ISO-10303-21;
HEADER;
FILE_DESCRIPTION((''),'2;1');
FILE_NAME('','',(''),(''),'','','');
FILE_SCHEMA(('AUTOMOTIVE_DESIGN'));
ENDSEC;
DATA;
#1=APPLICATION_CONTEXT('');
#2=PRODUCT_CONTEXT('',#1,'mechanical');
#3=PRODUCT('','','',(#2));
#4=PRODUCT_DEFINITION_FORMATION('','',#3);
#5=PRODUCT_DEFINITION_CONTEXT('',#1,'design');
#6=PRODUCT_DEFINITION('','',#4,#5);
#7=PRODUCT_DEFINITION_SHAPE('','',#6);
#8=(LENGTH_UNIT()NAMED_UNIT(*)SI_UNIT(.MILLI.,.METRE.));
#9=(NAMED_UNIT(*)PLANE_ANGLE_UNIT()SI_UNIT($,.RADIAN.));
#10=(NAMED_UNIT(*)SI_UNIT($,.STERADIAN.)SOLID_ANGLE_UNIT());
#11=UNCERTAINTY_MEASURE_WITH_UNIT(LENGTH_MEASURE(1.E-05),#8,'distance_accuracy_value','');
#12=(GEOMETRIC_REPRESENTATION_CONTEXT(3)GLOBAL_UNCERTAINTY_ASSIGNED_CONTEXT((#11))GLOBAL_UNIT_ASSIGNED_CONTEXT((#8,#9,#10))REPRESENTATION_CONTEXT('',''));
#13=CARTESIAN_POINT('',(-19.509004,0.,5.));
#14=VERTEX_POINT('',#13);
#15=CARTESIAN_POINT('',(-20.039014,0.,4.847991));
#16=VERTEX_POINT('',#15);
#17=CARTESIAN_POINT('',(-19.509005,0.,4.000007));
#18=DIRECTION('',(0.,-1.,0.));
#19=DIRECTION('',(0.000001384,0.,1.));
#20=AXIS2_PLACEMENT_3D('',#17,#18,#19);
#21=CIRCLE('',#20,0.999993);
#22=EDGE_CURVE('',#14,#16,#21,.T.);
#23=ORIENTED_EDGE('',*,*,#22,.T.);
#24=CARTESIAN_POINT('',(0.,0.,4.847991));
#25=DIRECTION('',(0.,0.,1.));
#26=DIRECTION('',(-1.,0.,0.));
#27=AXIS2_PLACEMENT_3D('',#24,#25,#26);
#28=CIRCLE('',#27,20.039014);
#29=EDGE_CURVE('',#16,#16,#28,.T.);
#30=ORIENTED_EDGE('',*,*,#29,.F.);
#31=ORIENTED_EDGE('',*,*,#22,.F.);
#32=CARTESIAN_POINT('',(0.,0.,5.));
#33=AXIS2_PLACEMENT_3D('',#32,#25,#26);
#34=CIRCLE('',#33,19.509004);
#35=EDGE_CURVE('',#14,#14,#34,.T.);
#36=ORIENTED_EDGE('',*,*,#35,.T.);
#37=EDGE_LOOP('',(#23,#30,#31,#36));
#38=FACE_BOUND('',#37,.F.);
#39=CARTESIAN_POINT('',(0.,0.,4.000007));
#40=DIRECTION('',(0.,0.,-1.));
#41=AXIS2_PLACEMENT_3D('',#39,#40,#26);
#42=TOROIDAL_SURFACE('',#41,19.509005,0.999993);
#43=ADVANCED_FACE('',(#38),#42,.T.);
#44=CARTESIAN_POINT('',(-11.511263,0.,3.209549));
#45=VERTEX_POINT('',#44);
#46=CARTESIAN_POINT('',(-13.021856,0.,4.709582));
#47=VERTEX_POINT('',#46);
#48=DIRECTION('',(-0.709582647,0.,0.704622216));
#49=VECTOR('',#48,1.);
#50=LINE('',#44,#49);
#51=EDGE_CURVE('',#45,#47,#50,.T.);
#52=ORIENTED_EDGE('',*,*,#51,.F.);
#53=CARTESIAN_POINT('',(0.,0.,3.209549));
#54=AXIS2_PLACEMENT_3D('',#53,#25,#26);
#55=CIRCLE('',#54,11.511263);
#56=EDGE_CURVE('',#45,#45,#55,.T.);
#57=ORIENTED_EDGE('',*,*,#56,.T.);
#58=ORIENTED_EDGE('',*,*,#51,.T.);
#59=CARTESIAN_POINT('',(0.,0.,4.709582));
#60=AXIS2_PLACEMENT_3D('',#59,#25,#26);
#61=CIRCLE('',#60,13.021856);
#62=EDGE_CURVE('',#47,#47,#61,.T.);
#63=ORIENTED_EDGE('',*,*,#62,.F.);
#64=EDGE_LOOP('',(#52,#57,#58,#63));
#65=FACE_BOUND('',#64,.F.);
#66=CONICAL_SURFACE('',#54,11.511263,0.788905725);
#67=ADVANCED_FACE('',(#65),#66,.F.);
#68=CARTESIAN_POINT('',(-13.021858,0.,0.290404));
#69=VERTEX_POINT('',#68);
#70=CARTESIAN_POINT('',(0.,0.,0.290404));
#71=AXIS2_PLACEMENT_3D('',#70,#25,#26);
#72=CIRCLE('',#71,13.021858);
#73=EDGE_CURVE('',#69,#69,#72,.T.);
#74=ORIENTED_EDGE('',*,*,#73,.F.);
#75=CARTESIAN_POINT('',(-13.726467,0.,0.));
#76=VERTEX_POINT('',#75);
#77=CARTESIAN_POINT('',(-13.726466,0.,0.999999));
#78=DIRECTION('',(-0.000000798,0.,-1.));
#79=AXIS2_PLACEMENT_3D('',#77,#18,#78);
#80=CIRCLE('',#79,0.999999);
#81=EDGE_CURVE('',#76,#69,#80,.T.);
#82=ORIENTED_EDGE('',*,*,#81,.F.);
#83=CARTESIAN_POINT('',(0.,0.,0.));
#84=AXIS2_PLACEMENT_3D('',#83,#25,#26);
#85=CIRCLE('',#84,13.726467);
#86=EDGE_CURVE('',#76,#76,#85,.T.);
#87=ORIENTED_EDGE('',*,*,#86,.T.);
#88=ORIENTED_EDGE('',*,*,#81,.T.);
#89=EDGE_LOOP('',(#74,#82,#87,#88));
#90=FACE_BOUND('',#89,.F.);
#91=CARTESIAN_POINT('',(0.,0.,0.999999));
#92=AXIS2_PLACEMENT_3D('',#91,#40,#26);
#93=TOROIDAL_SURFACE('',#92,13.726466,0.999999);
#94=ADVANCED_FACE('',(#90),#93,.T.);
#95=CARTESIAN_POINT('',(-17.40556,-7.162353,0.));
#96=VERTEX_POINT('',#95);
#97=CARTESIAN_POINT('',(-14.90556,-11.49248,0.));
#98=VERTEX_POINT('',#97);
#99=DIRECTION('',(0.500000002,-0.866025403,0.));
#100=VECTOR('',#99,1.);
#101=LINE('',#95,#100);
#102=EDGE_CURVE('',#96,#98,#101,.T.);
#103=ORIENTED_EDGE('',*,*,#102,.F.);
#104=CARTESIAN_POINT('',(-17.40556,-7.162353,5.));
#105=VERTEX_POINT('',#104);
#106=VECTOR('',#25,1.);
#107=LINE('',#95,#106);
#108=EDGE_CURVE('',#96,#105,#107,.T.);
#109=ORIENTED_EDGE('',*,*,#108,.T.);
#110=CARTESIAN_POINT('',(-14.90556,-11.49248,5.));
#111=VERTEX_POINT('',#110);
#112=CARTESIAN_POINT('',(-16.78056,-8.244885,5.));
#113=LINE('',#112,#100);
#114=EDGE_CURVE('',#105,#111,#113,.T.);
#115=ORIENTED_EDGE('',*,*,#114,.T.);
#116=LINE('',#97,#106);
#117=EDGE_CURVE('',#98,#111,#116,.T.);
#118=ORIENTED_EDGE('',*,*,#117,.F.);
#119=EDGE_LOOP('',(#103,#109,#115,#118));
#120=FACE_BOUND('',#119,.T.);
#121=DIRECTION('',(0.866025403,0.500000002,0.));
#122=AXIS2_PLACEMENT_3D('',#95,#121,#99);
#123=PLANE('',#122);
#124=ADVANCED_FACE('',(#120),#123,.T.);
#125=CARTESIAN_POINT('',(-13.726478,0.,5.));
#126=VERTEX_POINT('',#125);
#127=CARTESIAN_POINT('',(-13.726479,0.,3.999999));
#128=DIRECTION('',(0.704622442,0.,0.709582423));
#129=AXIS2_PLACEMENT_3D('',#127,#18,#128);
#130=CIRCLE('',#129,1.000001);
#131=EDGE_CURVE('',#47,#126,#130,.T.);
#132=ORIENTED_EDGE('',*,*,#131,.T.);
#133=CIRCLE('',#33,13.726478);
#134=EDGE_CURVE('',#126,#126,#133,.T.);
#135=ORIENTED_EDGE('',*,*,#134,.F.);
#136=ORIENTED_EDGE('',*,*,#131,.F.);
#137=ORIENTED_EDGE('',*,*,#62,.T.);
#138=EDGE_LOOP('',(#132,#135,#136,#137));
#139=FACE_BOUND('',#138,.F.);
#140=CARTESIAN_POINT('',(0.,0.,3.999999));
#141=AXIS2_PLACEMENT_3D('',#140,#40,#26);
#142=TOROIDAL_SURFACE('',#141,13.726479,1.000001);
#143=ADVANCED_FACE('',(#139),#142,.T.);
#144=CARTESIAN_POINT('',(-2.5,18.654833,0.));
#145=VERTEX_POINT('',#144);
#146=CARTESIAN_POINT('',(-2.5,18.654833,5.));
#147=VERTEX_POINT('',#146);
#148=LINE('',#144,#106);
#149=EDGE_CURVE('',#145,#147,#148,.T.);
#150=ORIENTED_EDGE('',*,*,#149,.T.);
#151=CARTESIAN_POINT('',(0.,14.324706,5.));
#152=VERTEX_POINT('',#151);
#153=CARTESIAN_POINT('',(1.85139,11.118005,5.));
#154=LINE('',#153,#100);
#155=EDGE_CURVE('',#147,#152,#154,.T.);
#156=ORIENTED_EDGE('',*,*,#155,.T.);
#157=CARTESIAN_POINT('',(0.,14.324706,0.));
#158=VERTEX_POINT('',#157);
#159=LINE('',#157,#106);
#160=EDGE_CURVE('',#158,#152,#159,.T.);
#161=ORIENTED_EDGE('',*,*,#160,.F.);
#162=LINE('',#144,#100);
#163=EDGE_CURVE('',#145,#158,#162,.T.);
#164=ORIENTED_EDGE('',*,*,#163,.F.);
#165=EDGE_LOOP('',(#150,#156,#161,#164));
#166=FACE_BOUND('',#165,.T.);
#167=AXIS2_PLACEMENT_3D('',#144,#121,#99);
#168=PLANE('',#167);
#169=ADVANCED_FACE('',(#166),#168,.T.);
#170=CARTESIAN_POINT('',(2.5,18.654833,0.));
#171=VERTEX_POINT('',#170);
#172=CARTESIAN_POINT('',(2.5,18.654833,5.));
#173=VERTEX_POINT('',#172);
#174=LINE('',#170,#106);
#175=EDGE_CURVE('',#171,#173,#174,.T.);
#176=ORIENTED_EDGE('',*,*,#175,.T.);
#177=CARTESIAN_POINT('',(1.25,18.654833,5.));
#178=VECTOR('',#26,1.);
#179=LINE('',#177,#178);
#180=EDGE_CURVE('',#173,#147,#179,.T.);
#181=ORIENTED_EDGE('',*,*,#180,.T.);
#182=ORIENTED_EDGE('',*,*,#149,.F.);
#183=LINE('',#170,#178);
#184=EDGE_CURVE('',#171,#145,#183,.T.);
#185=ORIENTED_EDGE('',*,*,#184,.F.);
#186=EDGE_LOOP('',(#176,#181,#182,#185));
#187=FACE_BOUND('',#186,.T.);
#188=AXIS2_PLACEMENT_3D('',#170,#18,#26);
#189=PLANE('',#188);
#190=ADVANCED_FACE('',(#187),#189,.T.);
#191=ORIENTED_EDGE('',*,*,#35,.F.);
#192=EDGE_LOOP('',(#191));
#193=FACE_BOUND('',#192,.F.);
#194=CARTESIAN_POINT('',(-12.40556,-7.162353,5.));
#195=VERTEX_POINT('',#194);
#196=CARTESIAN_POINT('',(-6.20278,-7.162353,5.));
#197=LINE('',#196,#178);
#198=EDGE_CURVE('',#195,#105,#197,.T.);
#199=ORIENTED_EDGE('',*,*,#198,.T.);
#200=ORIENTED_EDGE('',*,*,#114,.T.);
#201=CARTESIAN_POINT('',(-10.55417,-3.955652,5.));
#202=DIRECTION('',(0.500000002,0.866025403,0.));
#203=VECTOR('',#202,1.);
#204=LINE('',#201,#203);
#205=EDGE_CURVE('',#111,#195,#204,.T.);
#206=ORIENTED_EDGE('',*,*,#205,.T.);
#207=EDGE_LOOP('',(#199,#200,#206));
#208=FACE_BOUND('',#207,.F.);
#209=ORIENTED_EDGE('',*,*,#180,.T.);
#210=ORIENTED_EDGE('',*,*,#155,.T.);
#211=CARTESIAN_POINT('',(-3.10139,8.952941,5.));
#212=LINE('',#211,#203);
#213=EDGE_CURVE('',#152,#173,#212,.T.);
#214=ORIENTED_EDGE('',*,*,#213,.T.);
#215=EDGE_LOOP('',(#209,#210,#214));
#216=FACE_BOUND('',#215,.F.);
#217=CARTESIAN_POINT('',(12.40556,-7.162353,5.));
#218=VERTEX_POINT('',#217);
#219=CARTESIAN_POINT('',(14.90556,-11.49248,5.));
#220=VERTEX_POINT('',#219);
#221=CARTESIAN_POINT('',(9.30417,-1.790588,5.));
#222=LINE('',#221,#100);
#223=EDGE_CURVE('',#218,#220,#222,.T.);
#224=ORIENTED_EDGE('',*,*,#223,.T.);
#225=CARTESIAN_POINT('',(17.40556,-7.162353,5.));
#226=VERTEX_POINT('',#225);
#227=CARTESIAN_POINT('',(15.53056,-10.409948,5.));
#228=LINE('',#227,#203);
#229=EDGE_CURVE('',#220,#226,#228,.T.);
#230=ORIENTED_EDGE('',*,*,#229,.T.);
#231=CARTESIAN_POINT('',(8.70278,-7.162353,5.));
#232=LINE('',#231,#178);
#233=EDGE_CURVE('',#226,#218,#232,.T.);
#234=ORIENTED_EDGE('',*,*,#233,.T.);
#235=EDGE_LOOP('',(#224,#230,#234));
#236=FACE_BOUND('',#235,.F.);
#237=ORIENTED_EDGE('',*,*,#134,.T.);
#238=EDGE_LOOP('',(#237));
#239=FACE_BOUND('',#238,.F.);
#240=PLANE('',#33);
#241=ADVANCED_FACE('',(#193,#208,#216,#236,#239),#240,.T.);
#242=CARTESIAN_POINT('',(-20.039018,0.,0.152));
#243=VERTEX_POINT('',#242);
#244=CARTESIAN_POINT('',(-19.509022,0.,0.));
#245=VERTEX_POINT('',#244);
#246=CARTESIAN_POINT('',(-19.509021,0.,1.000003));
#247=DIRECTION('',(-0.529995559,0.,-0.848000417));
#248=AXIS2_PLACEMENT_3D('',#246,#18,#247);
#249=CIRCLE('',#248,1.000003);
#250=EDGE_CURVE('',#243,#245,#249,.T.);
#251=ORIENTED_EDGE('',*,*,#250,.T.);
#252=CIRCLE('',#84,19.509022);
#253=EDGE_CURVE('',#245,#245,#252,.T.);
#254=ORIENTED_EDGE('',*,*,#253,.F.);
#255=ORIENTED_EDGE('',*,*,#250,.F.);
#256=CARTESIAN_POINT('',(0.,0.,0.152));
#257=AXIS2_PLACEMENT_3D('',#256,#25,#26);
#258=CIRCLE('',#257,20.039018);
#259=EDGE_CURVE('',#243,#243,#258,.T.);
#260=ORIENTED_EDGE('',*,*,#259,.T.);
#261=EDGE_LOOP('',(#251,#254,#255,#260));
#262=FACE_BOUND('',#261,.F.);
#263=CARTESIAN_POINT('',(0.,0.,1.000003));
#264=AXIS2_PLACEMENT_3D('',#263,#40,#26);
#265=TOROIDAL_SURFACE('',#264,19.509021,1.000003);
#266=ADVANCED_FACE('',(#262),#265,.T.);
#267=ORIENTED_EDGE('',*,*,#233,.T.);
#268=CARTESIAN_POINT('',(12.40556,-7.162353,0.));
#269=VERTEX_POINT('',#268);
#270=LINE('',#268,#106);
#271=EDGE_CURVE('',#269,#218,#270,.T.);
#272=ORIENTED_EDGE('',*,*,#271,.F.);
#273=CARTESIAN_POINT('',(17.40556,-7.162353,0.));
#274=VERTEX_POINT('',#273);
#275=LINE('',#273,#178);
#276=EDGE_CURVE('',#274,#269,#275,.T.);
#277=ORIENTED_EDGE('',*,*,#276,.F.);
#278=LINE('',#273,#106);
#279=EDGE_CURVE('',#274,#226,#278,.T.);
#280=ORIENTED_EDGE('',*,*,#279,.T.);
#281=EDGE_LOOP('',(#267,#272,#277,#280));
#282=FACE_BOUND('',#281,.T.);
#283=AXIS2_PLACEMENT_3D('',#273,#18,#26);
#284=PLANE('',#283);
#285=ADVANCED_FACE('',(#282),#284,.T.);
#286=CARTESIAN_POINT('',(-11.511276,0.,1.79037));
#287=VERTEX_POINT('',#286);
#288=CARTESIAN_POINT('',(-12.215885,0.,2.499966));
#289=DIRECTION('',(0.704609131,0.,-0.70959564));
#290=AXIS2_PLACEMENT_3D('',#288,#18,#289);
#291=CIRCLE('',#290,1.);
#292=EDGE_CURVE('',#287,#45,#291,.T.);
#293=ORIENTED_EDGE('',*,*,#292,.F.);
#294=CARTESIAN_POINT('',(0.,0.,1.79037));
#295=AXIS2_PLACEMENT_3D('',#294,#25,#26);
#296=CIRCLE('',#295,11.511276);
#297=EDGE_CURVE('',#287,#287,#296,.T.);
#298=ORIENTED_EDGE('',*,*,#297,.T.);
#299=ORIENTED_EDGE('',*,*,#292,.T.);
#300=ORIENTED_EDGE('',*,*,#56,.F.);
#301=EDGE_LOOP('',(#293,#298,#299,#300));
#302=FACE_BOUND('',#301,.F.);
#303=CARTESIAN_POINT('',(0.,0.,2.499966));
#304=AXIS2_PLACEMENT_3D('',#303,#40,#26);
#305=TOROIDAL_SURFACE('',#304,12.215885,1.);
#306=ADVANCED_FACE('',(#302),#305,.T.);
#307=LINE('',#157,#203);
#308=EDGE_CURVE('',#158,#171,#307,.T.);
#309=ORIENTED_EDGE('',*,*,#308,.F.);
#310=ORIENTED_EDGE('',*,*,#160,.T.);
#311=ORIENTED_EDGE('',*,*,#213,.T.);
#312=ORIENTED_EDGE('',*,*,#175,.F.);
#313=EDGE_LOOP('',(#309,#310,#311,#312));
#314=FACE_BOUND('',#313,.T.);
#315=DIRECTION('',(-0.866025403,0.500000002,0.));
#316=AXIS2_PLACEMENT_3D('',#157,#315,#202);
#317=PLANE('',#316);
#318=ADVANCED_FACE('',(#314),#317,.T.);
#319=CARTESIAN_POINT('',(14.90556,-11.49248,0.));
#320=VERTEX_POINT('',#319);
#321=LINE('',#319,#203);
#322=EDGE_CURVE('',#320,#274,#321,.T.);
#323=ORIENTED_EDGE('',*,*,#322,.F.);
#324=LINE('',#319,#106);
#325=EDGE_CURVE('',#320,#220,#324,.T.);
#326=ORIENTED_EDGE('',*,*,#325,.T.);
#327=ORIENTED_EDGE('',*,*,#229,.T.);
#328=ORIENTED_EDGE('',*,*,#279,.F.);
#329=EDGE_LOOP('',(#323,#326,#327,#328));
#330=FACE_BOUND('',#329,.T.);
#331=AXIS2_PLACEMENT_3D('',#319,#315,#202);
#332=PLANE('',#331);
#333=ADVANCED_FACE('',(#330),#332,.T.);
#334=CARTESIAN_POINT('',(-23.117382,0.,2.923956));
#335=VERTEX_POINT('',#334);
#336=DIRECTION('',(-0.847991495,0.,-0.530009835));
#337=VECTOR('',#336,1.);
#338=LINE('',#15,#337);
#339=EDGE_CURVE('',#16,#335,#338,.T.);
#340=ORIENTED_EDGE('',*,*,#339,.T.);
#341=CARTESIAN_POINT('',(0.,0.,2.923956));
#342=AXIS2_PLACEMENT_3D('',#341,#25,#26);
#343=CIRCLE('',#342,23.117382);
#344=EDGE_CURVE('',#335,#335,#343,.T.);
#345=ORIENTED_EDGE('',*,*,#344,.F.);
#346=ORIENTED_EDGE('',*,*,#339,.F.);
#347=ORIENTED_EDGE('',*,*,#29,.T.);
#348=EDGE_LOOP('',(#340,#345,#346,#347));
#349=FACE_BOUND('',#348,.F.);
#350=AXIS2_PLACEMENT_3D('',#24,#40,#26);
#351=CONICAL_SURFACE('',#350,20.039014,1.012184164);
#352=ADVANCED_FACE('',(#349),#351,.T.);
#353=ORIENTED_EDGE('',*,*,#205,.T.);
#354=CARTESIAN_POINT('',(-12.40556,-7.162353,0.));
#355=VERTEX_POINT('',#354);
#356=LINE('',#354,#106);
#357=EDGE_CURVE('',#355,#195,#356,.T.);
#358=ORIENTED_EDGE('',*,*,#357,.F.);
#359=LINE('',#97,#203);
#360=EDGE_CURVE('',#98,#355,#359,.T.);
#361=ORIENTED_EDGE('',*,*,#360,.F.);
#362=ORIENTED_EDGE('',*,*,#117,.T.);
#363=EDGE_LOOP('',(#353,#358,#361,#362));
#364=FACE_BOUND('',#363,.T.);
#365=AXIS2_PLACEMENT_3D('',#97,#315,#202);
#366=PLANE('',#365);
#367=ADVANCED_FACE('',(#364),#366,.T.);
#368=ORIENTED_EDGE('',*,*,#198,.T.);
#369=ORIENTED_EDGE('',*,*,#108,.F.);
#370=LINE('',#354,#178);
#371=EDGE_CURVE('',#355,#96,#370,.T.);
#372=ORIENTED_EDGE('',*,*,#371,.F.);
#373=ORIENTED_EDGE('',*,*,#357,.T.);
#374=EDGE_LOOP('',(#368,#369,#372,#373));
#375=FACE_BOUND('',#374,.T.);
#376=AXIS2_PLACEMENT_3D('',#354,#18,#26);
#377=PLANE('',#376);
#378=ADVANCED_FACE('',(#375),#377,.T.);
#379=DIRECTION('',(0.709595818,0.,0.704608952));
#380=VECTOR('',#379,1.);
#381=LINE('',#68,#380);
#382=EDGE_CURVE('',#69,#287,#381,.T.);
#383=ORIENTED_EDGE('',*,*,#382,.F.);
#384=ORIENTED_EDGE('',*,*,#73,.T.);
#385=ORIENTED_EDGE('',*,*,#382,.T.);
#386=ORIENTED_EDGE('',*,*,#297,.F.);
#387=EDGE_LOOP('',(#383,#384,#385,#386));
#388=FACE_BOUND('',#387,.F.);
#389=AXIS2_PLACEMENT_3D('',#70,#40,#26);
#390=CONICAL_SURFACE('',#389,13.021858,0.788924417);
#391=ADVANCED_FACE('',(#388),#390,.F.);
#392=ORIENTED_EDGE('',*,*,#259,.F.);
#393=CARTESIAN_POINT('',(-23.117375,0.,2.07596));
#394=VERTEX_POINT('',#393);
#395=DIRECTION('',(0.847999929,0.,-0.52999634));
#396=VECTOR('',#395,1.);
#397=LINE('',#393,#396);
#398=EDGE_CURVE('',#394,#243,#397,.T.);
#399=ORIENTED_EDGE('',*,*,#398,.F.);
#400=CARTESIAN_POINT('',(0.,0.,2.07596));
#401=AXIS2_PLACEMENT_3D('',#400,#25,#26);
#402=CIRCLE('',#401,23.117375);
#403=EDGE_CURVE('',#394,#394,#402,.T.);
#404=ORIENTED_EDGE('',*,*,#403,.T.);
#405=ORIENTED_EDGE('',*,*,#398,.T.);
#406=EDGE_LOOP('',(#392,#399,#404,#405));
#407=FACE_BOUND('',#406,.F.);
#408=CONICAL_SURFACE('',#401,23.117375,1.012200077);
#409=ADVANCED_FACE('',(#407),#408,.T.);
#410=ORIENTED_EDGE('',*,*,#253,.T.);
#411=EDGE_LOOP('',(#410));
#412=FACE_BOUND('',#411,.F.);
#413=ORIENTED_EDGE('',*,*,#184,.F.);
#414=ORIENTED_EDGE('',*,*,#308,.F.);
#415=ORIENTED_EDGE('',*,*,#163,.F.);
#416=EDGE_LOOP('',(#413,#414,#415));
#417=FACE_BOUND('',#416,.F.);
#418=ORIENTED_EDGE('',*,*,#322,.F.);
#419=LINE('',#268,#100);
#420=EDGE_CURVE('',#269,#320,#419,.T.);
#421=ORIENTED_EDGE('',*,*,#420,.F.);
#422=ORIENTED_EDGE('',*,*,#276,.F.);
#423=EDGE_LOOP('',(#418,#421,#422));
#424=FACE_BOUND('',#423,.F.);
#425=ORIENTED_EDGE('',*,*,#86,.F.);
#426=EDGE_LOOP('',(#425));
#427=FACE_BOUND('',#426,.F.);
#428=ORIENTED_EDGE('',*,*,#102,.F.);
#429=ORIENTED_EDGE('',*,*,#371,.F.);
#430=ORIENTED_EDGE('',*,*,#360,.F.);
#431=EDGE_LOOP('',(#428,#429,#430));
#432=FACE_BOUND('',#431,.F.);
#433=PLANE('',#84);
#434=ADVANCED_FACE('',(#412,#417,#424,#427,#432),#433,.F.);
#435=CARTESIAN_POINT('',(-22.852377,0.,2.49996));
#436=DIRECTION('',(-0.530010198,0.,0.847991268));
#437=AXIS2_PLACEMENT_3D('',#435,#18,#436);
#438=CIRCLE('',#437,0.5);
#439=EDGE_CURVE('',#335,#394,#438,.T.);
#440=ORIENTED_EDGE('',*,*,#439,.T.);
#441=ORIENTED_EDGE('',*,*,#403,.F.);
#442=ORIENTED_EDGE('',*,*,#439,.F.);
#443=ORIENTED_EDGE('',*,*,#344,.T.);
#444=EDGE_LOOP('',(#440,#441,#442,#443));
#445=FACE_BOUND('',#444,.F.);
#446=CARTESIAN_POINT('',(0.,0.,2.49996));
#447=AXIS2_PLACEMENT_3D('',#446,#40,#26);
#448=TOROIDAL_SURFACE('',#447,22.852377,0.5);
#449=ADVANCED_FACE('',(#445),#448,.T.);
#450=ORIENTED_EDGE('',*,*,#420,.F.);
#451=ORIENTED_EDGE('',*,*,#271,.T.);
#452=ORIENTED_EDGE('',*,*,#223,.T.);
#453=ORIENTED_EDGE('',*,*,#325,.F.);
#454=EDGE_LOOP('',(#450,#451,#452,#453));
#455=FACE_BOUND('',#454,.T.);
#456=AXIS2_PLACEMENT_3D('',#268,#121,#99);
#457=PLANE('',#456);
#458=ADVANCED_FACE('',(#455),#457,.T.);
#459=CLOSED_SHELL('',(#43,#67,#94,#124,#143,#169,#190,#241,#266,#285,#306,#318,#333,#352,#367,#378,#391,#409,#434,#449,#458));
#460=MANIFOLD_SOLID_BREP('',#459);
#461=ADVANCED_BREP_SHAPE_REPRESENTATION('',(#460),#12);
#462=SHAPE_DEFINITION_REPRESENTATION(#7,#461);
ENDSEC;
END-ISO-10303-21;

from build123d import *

# Parameters (mm, degrees)
F4_DEPTH = 25


with BuildPart() as f2:
    # F0 (on Front) → F2 (revolve)
    with BuildSketch(Plane.XZ):
        with BuildLine():
            Line((-13.726478, 5), (-19.509004, 5))
            ThreePointArc((-19.509004, 5), (-19.784693, 4.961247), (-20.039014, 4.847991))
            Line((-20.039014, 4.847991), (-23.117382, 2.923956))
            ThreePointArc((-23.117382, 2.923956), (-23.352377, 2.499956), (-23.117375, 2.07596))
            Line((-23.117375, 2.07596), (-20.039018, 0.152))
            ThreePointArc((-20.039018, 0.152), (-19.784703, 0.038751), (-19.509022, 0))
            Line((-19.509022, 0), (-13.726467, 0))
            ThreePointArc((-13.726467, 0), (-13.345413, 0.075447), (-13.021858, 0.290404))
            Line((-13.021858, 0.290404), (-11.511276, 1.79037))
            ThreePointArc((-11.511276, 1.79037), (-11.215885, 2.499957), (-11.511263, 3.209549))
            Line((-11.511263, 3.209549), (-13.021856, 4.709582))
            ThreePointArc((-13.021856, 4.709582), (-13.345416, 4.924549), (-13.726478, 5))
        make_face()
    revolve(axis=Axis((0, 0, 36.743954), (0, 0, 1)))

    # F3 (on Top) → F4 (cut)
    with BuildSketch(Plane.XY):
        Polygon((2.5, 18.654833), (-2.5, 18.654833), (0, 14.324706), align=None)
        Polygon((-12.40556, -7.162353), (-17.40556, -7.162353), (-14.90556, -11.49248), align=None)
        Polygon((12.40556, -7.162353), (14.90556, -11.49248), (17.40556, -7.162353), align=None)
    extrude(amount=F4_DEPTH, mode=Mode.SUBTRACT)


solid = f2.part
